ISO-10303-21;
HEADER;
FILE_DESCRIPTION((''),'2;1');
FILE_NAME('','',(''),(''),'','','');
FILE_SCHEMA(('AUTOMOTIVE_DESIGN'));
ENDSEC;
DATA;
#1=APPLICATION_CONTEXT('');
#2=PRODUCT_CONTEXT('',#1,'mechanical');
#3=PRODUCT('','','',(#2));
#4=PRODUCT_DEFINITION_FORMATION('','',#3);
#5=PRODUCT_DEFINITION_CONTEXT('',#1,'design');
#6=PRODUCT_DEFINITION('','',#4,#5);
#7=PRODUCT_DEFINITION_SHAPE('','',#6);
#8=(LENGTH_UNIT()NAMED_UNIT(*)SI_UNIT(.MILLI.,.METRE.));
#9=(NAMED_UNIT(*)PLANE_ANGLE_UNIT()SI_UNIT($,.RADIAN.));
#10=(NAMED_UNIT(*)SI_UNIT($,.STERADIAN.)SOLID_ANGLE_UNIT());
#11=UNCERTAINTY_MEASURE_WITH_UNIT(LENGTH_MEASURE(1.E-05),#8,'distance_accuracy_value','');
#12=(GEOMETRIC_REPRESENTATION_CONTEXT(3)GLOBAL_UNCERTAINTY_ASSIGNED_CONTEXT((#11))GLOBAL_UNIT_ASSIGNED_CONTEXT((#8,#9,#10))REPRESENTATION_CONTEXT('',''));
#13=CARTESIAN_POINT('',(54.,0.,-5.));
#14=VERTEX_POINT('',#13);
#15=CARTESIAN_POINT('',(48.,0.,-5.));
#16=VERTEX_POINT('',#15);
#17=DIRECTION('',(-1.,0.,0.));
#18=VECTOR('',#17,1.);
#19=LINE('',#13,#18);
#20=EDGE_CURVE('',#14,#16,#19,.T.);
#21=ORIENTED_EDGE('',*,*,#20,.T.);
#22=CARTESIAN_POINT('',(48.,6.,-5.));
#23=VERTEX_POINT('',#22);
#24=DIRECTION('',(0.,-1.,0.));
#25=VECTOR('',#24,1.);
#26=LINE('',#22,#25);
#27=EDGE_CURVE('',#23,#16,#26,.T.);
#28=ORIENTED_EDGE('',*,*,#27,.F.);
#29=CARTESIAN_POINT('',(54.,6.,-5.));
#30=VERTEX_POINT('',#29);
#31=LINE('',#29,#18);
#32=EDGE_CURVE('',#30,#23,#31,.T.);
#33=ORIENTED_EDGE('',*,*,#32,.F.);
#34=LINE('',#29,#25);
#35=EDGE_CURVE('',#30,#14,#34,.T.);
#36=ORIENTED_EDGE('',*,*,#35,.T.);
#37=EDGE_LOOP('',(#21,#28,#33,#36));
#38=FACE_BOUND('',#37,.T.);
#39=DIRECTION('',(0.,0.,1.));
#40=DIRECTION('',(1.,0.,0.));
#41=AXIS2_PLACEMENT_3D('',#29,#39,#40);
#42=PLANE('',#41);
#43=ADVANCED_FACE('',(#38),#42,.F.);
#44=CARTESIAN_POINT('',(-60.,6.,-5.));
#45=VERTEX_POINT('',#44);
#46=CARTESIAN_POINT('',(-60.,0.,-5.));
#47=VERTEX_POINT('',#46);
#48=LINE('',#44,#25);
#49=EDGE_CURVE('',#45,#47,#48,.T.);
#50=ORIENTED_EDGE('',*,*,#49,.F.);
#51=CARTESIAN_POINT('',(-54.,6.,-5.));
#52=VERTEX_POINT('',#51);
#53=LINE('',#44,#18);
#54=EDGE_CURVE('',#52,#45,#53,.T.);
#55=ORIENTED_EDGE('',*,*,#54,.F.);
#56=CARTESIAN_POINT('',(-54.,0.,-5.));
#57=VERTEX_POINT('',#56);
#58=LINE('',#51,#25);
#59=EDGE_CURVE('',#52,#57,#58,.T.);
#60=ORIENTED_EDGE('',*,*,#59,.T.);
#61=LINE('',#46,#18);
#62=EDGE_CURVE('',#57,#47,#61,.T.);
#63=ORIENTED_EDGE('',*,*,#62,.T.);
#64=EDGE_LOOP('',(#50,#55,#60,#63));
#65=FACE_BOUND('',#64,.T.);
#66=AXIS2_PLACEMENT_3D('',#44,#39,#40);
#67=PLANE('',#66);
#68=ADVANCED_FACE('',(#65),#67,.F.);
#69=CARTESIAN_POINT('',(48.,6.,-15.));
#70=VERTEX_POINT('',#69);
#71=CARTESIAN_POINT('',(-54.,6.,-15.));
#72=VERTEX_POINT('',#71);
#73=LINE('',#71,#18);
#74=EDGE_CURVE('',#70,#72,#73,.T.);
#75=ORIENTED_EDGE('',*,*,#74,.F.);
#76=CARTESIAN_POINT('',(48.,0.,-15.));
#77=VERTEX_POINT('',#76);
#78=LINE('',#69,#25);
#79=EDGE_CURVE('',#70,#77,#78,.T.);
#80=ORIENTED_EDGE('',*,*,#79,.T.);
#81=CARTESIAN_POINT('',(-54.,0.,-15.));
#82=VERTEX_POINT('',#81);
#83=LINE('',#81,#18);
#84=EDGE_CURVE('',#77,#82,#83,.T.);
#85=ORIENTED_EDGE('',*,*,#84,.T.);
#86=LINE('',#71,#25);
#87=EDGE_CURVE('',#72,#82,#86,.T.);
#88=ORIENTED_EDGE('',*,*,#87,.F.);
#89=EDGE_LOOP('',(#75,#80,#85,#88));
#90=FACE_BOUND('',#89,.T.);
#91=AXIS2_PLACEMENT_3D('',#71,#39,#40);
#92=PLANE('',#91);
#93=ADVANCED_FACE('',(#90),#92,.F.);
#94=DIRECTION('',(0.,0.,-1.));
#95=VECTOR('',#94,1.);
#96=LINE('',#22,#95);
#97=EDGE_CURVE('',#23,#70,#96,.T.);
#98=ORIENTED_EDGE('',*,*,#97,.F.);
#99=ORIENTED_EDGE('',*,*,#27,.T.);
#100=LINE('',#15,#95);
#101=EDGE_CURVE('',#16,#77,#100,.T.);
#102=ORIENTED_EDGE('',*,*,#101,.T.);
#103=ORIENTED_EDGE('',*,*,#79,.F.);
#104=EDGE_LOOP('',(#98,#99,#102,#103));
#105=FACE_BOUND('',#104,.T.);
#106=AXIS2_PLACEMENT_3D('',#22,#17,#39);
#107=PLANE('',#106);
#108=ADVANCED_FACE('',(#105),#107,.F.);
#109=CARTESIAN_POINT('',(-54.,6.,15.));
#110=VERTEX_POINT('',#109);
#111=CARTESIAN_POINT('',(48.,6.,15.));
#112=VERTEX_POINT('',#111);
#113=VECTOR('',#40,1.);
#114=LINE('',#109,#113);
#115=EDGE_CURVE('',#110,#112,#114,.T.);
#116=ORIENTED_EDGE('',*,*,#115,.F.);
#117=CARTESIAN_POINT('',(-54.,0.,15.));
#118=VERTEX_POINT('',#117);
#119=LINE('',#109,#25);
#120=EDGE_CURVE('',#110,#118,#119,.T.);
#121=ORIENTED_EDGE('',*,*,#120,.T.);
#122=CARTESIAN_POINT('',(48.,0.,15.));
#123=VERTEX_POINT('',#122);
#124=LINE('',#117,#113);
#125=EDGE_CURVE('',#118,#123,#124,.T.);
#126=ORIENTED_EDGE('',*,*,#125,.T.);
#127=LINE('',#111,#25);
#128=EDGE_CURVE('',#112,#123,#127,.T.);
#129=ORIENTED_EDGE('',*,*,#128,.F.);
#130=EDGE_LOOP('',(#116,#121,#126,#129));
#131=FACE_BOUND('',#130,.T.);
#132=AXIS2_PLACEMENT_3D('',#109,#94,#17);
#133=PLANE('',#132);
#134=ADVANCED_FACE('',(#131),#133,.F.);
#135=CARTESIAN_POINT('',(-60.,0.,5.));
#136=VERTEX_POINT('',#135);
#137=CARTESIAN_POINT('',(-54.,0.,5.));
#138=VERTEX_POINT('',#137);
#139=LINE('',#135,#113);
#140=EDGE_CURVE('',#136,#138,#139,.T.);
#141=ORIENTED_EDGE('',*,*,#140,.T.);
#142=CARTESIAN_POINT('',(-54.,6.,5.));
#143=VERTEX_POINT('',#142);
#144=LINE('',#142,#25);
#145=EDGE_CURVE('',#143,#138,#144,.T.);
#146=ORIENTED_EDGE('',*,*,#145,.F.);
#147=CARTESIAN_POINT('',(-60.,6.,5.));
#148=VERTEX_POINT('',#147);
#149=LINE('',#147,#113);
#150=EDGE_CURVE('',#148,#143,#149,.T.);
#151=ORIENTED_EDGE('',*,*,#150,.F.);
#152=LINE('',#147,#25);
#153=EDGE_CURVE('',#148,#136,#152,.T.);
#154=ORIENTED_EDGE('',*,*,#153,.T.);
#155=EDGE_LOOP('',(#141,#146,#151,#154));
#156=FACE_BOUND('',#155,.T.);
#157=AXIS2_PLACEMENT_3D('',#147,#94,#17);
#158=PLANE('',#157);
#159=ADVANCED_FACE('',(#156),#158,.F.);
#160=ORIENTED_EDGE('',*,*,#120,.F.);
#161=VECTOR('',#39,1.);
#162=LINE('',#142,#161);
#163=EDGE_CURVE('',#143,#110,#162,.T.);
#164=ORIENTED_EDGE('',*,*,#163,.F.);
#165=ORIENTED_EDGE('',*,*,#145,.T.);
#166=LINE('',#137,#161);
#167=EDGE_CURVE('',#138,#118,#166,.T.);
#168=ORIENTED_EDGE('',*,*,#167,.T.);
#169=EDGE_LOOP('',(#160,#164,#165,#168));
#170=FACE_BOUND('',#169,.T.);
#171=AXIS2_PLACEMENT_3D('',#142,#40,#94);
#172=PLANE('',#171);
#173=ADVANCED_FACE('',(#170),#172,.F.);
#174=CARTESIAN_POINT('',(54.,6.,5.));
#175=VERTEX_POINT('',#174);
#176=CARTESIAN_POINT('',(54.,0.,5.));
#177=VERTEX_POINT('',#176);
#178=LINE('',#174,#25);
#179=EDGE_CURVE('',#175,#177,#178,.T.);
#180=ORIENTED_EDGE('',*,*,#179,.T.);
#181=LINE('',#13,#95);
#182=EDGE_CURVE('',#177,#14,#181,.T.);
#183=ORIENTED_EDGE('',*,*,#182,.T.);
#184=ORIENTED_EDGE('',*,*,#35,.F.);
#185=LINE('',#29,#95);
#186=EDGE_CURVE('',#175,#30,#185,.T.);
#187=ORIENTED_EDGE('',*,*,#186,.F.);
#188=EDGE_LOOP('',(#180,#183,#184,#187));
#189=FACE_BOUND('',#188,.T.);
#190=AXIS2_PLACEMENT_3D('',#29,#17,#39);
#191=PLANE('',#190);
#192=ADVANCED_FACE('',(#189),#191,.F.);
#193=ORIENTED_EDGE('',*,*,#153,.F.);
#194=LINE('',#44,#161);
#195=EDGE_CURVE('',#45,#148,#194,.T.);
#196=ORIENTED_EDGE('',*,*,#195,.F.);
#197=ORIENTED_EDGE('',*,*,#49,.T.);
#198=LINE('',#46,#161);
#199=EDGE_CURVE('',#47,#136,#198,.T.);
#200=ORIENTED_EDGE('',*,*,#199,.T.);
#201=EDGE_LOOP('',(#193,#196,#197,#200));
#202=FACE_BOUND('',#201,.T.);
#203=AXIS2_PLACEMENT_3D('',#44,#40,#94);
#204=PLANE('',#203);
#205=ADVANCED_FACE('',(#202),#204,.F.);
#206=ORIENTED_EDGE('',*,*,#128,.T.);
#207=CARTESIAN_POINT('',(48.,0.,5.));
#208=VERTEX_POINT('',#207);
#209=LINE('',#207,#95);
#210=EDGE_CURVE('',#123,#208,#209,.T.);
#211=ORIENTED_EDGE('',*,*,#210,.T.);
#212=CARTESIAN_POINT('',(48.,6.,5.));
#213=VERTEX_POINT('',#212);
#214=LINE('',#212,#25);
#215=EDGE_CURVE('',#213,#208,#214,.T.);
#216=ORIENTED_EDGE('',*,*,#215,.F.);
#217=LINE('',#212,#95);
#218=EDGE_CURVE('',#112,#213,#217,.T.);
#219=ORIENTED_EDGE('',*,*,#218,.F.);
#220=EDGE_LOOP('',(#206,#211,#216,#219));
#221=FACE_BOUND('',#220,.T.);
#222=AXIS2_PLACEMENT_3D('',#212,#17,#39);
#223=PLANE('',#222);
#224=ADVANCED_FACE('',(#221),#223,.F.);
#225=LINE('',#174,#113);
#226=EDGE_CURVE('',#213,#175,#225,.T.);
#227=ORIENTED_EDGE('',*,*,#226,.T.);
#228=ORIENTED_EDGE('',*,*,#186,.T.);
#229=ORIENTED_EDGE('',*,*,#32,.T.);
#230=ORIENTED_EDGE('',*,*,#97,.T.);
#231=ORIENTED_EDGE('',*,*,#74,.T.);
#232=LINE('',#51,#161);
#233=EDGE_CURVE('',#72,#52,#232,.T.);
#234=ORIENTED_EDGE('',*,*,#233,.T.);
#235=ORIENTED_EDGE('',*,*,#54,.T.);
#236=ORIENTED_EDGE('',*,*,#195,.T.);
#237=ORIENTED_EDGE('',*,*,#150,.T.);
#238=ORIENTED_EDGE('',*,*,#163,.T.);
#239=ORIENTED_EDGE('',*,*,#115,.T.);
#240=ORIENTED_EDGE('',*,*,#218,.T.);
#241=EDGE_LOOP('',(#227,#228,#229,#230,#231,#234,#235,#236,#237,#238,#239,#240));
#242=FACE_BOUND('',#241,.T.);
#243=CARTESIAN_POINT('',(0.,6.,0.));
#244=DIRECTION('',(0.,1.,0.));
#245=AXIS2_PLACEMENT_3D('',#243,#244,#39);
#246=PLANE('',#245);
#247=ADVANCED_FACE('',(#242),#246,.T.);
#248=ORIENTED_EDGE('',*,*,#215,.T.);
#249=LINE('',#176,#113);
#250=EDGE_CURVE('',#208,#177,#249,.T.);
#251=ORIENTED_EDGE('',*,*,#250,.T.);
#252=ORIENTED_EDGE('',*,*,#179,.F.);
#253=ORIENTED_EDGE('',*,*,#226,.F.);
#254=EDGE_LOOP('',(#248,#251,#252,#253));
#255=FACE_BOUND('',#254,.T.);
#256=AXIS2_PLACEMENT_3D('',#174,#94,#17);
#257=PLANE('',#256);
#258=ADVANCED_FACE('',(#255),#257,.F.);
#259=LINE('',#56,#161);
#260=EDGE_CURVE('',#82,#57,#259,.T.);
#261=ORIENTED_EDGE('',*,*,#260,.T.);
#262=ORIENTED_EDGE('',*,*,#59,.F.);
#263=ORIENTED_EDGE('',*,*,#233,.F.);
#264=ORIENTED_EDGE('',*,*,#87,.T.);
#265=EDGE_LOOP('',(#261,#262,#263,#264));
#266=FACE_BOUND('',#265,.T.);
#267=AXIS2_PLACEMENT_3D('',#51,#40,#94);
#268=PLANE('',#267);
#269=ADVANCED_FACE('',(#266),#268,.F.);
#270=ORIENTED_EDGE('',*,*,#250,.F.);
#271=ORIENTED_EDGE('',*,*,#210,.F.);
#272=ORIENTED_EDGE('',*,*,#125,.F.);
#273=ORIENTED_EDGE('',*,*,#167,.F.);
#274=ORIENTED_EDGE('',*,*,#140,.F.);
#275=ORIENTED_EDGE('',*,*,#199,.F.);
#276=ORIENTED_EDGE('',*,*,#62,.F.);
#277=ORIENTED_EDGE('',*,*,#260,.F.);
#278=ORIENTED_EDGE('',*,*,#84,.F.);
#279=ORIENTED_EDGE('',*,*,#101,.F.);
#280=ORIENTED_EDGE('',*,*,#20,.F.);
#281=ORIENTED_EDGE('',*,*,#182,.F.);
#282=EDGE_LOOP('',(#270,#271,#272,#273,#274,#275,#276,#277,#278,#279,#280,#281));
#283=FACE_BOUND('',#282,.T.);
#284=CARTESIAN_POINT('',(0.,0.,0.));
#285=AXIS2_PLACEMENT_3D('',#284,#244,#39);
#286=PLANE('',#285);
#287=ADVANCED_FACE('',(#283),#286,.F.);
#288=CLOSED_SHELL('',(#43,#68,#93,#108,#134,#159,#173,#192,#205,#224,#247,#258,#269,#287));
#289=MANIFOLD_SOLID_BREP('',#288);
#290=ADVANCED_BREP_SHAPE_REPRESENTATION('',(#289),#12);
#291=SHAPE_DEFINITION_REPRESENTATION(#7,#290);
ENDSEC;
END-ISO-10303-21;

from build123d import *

# Parameters (mm, degrees)
BOSS_EXTRUDE1_DEPTH = 6


with BuildPart() as part:
    # Sketch1 → Boss-Extrude1 (new body)
    with BuildSketch(Plane(origin=(0, 0, 0), x_dir=(1, 0, 0), z_dir=(0, 1, 0))):
        Polygon((-54, -15), (48, -15), (48, -5), (54, -5), (54, 5), (48, 5), (48, 15), (-54, 15), (-54, 5), (-60, 5), (-60, -5), (-54, -5), align=None)
    extrude(amount=BOSS_EXTRUDE1_DEPTH)


solid = part.part
